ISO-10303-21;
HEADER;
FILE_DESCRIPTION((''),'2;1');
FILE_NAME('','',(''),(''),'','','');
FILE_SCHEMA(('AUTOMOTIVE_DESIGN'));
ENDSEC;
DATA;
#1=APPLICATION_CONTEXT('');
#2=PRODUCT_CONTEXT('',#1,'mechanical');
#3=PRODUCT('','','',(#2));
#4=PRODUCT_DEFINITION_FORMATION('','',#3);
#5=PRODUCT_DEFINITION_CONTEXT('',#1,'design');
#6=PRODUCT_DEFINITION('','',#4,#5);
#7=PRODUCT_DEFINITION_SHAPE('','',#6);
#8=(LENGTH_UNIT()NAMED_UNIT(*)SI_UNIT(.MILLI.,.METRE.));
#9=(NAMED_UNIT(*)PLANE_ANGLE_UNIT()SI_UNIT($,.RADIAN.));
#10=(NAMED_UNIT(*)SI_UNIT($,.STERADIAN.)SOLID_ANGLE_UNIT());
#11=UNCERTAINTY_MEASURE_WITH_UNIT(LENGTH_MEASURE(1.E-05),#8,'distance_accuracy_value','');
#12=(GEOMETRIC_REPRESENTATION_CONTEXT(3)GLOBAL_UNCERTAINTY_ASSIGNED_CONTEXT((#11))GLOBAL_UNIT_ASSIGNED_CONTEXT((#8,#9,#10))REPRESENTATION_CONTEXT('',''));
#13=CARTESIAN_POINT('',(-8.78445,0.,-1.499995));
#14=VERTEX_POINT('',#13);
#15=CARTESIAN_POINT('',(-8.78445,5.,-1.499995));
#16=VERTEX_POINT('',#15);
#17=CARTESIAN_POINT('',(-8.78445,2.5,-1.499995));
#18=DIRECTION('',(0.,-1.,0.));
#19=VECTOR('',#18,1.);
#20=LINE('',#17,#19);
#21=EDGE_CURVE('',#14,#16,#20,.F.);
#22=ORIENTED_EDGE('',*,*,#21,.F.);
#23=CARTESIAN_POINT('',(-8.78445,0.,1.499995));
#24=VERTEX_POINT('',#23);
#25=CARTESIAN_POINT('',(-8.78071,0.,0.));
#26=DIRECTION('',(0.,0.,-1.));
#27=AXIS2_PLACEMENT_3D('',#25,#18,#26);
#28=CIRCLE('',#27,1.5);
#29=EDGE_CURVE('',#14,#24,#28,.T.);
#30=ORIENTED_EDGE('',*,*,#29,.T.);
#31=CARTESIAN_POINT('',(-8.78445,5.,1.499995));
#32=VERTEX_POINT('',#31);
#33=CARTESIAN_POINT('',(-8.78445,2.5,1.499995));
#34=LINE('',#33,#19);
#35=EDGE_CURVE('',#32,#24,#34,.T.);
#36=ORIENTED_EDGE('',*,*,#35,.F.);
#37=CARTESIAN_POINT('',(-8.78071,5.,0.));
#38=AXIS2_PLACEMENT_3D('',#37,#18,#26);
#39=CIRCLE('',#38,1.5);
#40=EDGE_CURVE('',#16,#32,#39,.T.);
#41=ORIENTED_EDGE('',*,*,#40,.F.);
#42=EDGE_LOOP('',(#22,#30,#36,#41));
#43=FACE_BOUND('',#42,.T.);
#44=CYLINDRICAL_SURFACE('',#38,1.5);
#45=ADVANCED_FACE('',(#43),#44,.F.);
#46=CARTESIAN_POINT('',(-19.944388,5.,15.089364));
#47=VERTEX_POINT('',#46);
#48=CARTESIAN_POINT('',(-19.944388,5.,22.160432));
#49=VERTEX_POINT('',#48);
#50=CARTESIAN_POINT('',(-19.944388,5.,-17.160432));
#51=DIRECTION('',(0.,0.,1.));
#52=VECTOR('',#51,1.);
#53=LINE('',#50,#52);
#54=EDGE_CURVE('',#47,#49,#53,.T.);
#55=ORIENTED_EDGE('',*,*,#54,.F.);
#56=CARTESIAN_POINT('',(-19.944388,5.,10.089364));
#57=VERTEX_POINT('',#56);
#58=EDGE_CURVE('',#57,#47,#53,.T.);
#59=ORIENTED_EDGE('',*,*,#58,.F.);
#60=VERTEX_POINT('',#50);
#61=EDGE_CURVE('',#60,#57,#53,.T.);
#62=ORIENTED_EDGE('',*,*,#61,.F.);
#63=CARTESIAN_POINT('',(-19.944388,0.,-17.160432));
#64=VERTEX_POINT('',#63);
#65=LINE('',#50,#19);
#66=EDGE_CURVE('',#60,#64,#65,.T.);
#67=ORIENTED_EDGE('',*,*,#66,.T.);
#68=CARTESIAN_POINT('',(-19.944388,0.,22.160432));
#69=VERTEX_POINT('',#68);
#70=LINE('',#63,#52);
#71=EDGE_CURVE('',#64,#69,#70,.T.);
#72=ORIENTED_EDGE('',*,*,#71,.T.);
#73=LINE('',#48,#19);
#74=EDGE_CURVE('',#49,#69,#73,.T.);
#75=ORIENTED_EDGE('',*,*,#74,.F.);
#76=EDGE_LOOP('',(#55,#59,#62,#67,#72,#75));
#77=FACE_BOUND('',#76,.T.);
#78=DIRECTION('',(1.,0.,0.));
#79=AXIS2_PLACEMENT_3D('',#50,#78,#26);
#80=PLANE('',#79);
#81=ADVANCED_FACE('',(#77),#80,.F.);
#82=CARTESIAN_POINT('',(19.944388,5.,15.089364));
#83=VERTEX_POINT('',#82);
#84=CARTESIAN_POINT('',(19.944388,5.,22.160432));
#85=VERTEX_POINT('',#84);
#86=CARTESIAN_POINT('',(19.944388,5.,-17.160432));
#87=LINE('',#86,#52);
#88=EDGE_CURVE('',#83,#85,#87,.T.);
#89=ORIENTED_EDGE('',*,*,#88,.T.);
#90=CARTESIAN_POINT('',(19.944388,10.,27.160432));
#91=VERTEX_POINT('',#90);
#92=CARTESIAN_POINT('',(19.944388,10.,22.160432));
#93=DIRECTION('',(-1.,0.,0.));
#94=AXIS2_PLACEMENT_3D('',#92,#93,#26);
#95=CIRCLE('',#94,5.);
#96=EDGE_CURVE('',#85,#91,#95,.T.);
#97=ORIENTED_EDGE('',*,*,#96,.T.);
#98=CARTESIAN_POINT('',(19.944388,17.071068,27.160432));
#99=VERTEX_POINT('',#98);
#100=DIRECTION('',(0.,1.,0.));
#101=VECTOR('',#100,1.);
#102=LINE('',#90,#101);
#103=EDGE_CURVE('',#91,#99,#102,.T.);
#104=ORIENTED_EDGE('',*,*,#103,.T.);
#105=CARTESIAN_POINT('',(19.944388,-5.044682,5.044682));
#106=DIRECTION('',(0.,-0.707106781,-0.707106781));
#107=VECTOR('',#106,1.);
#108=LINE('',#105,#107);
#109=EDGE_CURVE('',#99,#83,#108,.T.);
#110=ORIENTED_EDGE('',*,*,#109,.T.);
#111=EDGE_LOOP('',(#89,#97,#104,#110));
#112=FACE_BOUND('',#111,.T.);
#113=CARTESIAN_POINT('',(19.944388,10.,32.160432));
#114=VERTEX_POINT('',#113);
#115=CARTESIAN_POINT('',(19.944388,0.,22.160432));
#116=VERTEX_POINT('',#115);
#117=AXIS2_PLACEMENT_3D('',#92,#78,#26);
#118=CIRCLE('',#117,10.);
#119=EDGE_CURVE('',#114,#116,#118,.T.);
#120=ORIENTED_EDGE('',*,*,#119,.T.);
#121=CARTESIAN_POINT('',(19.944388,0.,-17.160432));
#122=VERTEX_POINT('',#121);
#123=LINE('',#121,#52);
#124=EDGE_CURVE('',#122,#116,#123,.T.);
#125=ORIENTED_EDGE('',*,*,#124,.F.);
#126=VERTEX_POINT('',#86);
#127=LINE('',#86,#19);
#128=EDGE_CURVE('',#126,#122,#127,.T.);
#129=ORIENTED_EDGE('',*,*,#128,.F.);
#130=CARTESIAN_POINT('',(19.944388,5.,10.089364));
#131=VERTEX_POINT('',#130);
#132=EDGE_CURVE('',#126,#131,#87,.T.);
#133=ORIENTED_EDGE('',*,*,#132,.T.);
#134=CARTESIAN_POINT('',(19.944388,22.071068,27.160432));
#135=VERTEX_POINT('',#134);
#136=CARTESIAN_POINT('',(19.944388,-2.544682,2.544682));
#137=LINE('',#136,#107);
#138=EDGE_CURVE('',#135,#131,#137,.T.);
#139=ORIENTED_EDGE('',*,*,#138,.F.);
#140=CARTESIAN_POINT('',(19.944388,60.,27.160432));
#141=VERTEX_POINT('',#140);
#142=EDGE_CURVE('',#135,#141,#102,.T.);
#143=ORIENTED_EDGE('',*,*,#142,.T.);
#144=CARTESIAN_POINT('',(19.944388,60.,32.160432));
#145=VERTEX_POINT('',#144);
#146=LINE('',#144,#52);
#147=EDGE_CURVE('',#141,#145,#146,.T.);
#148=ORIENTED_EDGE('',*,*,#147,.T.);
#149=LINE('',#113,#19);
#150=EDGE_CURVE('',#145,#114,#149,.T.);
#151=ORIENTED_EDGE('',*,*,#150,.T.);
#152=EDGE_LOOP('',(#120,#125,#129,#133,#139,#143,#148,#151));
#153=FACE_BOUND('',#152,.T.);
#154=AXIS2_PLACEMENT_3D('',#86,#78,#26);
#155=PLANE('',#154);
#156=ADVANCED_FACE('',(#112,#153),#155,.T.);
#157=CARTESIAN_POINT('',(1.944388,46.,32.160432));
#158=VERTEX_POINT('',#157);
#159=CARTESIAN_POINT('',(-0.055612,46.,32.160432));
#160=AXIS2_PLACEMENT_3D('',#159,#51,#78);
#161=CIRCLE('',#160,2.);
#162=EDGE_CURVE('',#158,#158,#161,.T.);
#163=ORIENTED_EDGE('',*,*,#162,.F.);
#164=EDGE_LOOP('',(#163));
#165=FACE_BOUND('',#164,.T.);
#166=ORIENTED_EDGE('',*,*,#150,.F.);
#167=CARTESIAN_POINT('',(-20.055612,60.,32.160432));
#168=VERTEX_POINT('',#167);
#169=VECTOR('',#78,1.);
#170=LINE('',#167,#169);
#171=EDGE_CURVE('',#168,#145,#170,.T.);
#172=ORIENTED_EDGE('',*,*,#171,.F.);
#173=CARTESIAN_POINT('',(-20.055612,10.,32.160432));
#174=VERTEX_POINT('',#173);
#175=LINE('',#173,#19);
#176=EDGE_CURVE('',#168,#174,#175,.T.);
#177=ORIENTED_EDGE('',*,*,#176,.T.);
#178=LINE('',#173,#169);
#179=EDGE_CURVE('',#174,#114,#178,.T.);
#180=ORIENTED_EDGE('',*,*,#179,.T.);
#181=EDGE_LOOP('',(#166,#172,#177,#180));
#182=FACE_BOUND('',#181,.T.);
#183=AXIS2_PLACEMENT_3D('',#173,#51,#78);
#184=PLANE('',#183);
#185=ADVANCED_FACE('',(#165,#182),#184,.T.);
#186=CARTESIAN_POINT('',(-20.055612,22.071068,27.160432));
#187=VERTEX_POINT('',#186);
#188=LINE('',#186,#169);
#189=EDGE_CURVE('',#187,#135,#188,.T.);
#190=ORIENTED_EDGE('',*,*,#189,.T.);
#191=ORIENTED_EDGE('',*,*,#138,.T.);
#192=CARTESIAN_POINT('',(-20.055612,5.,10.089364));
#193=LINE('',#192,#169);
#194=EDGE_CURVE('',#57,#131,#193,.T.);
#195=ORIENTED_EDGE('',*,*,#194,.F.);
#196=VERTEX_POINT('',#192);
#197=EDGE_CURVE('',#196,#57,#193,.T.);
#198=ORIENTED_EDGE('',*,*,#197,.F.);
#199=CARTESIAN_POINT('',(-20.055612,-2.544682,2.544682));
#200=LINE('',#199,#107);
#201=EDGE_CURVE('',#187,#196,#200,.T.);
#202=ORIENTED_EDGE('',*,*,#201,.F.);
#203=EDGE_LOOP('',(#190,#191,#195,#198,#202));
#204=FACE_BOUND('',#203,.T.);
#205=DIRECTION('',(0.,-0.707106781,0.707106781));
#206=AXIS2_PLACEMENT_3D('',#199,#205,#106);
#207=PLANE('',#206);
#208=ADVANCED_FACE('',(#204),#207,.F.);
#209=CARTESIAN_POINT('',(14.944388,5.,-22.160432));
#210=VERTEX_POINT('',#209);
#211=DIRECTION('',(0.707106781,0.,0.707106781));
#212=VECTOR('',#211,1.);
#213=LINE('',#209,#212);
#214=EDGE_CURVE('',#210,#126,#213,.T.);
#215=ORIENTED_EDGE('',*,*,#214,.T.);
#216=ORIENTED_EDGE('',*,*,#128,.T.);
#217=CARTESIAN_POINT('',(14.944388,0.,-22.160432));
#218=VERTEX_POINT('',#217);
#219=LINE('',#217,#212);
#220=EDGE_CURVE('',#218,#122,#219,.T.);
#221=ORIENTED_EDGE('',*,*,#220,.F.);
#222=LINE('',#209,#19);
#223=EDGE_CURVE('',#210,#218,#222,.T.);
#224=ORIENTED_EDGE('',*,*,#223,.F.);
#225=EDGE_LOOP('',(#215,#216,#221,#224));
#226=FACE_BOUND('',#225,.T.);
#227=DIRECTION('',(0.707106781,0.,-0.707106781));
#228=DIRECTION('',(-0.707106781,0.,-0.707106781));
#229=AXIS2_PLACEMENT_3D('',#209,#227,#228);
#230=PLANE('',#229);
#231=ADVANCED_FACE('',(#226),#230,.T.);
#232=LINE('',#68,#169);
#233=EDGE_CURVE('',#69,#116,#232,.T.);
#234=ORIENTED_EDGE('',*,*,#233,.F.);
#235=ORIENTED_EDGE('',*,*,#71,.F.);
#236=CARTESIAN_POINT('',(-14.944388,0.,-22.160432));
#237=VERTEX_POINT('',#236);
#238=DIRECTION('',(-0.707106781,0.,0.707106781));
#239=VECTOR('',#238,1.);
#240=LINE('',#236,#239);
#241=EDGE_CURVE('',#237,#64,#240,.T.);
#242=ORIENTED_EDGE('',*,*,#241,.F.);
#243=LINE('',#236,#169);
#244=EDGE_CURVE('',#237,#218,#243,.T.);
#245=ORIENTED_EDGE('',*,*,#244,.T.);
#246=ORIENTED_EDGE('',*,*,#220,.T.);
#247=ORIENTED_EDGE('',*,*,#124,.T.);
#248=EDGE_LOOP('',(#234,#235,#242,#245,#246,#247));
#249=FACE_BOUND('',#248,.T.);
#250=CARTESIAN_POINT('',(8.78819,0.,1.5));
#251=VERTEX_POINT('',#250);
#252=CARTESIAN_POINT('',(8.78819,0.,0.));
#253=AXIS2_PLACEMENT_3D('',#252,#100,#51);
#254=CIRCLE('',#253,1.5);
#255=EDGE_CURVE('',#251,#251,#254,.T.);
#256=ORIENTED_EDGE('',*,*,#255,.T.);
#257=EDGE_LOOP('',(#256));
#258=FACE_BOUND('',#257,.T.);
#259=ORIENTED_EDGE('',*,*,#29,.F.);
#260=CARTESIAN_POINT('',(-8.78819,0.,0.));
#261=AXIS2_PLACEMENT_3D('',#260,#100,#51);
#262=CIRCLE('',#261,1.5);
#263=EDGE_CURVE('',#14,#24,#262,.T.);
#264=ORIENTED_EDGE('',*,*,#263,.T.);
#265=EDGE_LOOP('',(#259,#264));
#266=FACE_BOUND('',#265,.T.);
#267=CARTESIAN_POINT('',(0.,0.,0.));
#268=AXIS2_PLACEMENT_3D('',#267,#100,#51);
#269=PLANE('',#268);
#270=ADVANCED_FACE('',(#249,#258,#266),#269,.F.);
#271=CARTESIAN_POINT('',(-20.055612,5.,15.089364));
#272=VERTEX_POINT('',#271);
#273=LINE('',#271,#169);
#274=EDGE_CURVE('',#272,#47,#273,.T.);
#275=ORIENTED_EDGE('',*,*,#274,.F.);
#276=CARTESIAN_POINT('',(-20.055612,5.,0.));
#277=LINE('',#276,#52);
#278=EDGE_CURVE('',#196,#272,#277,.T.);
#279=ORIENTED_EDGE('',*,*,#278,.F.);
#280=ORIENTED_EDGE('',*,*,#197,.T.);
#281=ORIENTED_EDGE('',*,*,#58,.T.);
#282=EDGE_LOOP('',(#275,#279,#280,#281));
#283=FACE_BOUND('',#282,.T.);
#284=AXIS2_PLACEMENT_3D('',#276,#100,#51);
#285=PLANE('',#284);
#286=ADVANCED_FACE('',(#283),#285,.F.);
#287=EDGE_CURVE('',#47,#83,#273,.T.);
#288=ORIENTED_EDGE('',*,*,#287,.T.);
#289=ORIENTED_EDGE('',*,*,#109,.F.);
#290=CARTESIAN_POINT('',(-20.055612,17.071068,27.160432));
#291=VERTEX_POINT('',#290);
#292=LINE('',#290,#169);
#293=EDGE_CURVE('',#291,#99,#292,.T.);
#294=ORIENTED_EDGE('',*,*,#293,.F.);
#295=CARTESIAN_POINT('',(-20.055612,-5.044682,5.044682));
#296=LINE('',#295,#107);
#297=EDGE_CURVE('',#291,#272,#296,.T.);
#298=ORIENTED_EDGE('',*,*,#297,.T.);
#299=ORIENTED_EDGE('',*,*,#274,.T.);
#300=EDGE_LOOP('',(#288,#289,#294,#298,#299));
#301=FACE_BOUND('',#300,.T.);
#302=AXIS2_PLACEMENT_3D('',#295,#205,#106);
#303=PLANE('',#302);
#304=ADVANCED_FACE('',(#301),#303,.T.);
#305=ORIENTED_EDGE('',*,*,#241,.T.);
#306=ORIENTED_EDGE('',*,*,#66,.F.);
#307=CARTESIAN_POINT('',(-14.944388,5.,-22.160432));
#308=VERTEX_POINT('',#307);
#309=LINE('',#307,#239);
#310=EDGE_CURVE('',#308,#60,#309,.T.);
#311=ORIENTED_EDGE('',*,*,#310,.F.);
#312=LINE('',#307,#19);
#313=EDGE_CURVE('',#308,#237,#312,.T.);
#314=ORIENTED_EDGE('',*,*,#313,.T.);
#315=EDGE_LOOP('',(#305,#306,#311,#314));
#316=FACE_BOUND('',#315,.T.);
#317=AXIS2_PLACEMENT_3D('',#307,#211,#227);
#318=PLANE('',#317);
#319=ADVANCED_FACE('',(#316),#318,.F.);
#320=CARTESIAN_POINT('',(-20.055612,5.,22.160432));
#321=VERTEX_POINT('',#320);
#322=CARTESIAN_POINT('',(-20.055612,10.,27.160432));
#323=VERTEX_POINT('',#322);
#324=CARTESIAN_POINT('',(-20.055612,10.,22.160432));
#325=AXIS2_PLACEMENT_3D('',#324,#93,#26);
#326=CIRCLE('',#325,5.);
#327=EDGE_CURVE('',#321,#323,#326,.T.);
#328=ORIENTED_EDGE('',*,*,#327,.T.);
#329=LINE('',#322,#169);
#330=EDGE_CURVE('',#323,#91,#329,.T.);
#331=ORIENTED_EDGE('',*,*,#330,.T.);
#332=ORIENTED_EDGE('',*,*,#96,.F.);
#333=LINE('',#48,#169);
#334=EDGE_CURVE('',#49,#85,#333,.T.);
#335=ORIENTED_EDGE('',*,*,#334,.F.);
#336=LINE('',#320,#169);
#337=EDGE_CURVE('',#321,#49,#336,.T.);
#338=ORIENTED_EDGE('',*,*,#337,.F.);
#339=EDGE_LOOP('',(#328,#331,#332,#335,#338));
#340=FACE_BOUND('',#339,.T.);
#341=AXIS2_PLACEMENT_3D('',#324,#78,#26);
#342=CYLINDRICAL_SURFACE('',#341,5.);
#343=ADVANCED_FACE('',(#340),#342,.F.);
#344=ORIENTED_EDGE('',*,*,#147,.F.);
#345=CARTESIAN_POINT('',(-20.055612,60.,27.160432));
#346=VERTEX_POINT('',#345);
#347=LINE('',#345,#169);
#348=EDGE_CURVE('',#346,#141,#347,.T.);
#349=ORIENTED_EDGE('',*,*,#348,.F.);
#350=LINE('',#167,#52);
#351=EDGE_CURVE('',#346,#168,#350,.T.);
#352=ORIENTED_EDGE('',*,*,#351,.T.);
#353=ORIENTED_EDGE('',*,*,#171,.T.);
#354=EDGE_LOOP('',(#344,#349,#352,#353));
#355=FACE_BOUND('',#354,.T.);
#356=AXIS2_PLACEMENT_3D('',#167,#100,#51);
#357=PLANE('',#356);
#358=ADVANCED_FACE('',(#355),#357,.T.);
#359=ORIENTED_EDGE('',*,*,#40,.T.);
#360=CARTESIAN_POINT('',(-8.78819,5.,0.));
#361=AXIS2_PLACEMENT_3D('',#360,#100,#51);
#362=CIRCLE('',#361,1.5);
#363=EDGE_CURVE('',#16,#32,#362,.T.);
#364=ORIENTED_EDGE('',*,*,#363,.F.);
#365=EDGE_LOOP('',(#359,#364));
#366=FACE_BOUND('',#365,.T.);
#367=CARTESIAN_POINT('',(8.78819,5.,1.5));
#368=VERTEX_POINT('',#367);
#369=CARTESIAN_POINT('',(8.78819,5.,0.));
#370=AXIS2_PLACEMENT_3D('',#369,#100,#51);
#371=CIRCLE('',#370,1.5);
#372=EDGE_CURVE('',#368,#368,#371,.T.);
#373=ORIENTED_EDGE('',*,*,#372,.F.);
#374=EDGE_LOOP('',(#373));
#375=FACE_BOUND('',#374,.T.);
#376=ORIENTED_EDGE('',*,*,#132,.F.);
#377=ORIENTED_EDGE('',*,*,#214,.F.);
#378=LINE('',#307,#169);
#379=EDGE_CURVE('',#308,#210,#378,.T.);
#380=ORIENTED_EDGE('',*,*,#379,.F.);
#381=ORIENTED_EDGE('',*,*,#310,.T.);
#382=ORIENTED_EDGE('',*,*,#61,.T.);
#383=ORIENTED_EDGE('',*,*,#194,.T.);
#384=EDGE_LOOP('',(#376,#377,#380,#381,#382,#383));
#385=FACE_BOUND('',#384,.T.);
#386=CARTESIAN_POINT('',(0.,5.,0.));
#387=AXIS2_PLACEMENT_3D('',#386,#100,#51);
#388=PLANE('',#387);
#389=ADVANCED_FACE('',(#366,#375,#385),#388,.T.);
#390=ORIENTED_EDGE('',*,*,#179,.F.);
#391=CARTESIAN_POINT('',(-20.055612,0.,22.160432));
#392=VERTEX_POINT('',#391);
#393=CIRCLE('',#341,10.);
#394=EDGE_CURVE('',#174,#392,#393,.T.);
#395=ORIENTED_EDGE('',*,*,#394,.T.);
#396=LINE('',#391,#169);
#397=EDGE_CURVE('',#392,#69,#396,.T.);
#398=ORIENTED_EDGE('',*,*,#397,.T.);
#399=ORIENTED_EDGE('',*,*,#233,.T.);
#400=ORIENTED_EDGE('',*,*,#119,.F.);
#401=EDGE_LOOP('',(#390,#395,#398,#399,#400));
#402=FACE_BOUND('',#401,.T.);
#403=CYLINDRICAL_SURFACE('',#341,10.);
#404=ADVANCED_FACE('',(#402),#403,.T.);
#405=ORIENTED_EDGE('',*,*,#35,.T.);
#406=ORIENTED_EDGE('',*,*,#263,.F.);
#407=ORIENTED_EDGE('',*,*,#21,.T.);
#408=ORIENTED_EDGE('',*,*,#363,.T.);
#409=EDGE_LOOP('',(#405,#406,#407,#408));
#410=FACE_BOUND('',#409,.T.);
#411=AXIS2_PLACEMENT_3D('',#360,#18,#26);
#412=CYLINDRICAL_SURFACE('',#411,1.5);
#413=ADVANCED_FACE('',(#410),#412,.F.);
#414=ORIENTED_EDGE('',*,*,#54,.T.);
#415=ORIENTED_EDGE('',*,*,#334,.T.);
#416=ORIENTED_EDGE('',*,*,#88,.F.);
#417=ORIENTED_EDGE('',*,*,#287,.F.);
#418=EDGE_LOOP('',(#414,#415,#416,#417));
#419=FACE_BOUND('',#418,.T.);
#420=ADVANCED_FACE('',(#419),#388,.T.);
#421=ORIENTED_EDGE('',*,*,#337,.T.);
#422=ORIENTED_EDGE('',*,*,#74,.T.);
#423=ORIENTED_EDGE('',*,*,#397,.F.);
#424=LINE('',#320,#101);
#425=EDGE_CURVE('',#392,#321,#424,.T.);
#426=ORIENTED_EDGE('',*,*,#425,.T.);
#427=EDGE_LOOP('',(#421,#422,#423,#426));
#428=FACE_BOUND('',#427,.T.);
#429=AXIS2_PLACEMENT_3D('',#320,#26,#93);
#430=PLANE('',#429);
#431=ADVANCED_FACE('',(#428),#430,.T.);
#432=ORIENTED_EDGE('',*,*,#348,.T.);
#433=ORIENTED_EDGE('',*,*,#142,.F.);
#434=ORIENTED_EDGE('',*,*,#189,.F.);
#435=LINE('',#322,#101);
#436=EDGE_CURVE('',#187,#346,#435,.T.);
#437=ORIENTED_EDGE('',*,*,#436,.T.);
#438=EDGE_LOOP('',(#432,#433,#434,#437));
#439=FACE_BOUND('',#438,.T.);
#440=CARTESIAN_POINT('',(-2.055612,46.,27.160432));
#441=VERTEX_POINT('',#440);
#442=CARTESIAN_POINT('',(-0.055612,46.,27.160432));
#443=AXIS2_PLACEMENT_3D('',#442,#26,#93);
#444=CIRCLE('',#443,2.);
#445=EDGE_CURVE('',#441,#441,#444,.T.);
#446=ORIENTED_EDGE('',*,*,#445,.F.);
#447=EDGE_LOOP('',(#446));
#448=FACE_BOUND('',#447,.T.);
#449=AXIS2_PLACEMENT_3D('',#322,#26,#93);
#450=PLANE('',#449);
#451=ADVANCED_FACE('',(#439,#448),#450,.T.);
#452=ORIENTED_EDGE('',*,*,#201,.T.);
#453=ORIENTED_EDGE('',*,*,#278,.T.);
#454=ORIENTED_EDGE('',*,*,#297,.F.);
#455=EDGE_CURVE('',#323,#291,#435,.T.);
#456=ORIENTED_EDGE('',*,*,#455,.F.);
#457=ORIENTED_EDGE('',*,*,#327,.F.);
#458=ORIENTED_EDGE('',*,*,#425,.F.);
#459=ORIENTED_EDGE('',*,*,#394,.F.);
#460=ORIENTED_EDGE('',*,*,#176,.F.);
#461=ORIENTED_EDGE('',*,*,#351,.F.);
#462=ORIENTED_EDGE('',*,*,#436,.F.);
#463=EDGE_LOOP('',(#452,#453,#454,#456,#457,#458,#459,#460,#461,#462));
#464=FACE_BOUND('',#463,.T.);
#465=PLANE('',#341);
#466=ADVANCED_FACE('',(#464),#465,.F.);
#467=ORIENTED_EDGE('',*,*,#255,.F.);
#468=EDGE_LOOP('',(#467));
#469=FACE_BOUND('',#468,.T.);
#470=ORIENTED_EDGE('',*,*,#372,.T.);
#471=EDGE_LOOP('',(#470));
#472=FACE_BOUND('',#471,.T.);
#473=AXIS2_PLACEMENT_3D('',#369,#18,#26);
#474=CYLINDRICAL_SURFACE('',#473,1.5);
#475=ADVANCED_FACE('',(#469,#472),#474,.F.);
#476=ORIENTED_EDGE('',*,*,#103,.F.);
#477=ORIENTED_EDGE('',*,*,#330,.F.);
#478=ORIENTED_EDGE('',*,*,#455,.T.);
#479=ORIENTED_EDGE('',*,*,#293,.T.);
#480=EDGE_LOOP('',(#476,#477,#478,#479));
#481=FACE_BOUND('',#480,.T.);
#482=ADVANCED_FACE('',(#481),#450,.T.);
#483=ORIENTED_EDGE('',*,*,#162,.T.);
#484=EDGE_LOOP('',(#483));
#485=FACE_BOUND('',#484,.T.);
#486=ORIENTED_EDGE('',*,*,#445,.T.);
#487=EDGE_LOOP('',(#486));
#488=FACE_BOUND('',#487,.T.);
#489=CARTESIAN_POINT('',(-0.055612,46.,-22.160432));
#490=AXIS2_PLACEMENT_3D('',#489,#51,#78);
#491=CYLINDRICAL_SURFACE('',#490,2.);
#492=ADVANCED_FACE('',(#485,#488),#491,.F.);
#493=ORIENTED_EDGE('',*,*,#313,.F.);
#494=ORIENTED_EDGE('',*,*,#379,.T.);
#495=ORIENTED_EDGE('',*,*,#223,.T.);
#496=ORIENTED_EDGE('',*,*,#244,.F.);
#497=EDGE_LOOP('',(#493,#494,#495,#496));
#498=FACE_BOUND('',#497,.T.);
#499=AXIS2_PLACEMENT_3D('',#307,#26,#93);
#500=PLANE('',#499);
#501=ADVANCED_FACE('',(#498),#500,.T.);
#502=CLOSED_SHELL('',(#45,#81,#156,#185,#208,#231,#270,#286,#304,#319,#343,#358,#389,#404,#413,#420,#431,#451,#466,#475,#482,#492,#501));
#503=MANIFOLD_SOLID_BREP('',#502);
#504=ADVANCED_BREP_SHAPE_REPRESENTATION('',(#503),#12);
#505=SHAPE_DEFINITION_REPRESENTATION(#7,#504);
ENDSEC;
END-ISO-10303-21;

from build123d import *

# Parameters (mm, degrees)
BOSS_EXTRUDE1_DEPTH = 5
SKETCH2_R           = 1.5
CUT_EXTRUDE1_DEPTH  = 5
SKETCH1_4_OUTSIDE_W = 53.856
SKETCH1_4_OUTSIDE_H = 58.288
SKETCH1_4_OUTSIDE_R = 1.5
CUT_EXTRUDE3_DEPTH  = 31.230173018
BOSS_EXTRUDE2_DEPTH = 40
SKETCH5_W           = 5
SKETCH5_H           = 50
BOSS_EXTRUDE3_DEPTH = 40
BOSS_EXTRUDE4_DEPTH = 40
SKETCH9_R           = 2
CUT_EXTRUDE4_DEPTH  = 84.384553352


with BuildPart() as part:
    # Sketch1 → Boss-Extrude1 (new body)
    with BuildSketch(Plane(origin=(0, 0, 0), x_dir=(1, 0, 0), z_dir=(0, 1, 0))):
        Polygon((-14.94438846, 22.160431622), (14.94438846, 22.160431622), (19.94438846, 17.160431622), (19.94438846, -22.160431622), (-19.94438846, -22.160431622), (-19.94438846, 17.160431622), align=None)
    extrude(amount=BOSS_EXTRUDE1_DEPTH)

    # Sketch2 → Cut-Extrude1 (cut)
    with BuildSketch(Plane.XZ):
        with Locations((-8.780710157, 0)):
            Circle(SKETCH2_R)
    extrude(amount=-CUT_EXTRUDE1_DEPTH, mode=Mode.SUBTRACT)

    # Sketch1<4> outside → Cut-Extrude3 (cut, through all)
    # profile 1 of 3: a face of its own
    with BuildSketch(Plane(origin=(0, 0, 0), x_dir=(1, 0, 0), z_dir=(0, 1, 0))):
        Rectangle(SKETCH1_4_OUTSIDE_W, SKETCH1_4_OUTSIDE_H)
        Polygon((-14.94438846, 22.160431622), (14.94438846, 22.160431622), (19.94438846, 17.160431622), (19.94438846, -22.160431622), (-19.94438846, -22.160431622), (-19.94438846, 17.160431622), align=None, mode=Mode.SUBTRACT)
    # profile 2 of 3: a face of its own
    with BuildSketch(Plane(origin=(0, 0, 0), x_dir=(1, 0, 0), z_dir=(0, 1, 0))):
        with Locations((8.788189679, 0)):
            Circle(SKETCH1_4_OUTSIDE_R)
    # profile 3 of 3: a face of its own
    with BuildSketch(Plane(origin=(0, 0, 0), x_dir=(1, 0, 0), z_dir=(0, 1, 0))):
        with Locations((-8.788189679, 0)):
            Circle(SKETCH1_4_OUTSIDE_R)
    extrude(amount=CUT_EXTRUDE3_DEPTH, mode=Mode.SUBTRACT)

    # Sketch4 → Boss-Extrude2 (add)
    with BuildSketch(Plane(origin=(19.94438846, 0, 0), x_dir=(0, 0, -1), z_dir=(1, 0, 0))):
        with BuildLine():
            Line((-22.160431622, 5), (-22.160431622, 0))
            ThreePointArc((-22.160431622, 0), (-29.231499434, 2.928932188), (-32.160431622, 10))
            Line((-32.160431622, 10), (-27.160431622, 10))
            ThreePointArc((-27.160431622, 10), (-25.695965528, 6.464466094), (-22.160431622, 5))
        make_face()
    extrude(amount=-BOSS_EXTRUDE2_DEPTH)

    # Sketch5 → Boss-Extrude3 (add)
    with BuildSketch(Plane(origin=(19.94438846, 0, 0), x_dir=(0, 0, -1), z_dir=(1, 0, 0))):
        with Locations((-29.660431622, 35)):
            Rectangle(SKETCH5_W, SKETCH5_H)
    extrude(amount=-BOSS_EXTRUDE3_DEPTH)

    # Sketch6 → Boss-Extrude4 (add)
    with BuildSketch(Plane(origin=(19.94438846, 0, 0), x_dir=(0, 0, -1), z_dir=(1, 0, 0))):
        Polygon((-10.08936381, 5), (-18.624897716, 13.535533906), (-27.160431622, 22.071067812), (-27.160431622, 17.071067812), (-15.08936381, 5), align=None)
    extrude(amount=-BOSS_EXTRUDE4_DEPTH)

    # Sketch9 → Cut-Extrude4 (cut, through all)
    with BuildSketch(Plane.XY.offset(32.160431622)):
        with Locations((-0.05561154, 46)):
            Circle(SKETCH9_R)
    extrude(amount=-CUT_EXTRUDE4_DEPTH, mode=Mode.SUBTRACT)


solid = part.part
